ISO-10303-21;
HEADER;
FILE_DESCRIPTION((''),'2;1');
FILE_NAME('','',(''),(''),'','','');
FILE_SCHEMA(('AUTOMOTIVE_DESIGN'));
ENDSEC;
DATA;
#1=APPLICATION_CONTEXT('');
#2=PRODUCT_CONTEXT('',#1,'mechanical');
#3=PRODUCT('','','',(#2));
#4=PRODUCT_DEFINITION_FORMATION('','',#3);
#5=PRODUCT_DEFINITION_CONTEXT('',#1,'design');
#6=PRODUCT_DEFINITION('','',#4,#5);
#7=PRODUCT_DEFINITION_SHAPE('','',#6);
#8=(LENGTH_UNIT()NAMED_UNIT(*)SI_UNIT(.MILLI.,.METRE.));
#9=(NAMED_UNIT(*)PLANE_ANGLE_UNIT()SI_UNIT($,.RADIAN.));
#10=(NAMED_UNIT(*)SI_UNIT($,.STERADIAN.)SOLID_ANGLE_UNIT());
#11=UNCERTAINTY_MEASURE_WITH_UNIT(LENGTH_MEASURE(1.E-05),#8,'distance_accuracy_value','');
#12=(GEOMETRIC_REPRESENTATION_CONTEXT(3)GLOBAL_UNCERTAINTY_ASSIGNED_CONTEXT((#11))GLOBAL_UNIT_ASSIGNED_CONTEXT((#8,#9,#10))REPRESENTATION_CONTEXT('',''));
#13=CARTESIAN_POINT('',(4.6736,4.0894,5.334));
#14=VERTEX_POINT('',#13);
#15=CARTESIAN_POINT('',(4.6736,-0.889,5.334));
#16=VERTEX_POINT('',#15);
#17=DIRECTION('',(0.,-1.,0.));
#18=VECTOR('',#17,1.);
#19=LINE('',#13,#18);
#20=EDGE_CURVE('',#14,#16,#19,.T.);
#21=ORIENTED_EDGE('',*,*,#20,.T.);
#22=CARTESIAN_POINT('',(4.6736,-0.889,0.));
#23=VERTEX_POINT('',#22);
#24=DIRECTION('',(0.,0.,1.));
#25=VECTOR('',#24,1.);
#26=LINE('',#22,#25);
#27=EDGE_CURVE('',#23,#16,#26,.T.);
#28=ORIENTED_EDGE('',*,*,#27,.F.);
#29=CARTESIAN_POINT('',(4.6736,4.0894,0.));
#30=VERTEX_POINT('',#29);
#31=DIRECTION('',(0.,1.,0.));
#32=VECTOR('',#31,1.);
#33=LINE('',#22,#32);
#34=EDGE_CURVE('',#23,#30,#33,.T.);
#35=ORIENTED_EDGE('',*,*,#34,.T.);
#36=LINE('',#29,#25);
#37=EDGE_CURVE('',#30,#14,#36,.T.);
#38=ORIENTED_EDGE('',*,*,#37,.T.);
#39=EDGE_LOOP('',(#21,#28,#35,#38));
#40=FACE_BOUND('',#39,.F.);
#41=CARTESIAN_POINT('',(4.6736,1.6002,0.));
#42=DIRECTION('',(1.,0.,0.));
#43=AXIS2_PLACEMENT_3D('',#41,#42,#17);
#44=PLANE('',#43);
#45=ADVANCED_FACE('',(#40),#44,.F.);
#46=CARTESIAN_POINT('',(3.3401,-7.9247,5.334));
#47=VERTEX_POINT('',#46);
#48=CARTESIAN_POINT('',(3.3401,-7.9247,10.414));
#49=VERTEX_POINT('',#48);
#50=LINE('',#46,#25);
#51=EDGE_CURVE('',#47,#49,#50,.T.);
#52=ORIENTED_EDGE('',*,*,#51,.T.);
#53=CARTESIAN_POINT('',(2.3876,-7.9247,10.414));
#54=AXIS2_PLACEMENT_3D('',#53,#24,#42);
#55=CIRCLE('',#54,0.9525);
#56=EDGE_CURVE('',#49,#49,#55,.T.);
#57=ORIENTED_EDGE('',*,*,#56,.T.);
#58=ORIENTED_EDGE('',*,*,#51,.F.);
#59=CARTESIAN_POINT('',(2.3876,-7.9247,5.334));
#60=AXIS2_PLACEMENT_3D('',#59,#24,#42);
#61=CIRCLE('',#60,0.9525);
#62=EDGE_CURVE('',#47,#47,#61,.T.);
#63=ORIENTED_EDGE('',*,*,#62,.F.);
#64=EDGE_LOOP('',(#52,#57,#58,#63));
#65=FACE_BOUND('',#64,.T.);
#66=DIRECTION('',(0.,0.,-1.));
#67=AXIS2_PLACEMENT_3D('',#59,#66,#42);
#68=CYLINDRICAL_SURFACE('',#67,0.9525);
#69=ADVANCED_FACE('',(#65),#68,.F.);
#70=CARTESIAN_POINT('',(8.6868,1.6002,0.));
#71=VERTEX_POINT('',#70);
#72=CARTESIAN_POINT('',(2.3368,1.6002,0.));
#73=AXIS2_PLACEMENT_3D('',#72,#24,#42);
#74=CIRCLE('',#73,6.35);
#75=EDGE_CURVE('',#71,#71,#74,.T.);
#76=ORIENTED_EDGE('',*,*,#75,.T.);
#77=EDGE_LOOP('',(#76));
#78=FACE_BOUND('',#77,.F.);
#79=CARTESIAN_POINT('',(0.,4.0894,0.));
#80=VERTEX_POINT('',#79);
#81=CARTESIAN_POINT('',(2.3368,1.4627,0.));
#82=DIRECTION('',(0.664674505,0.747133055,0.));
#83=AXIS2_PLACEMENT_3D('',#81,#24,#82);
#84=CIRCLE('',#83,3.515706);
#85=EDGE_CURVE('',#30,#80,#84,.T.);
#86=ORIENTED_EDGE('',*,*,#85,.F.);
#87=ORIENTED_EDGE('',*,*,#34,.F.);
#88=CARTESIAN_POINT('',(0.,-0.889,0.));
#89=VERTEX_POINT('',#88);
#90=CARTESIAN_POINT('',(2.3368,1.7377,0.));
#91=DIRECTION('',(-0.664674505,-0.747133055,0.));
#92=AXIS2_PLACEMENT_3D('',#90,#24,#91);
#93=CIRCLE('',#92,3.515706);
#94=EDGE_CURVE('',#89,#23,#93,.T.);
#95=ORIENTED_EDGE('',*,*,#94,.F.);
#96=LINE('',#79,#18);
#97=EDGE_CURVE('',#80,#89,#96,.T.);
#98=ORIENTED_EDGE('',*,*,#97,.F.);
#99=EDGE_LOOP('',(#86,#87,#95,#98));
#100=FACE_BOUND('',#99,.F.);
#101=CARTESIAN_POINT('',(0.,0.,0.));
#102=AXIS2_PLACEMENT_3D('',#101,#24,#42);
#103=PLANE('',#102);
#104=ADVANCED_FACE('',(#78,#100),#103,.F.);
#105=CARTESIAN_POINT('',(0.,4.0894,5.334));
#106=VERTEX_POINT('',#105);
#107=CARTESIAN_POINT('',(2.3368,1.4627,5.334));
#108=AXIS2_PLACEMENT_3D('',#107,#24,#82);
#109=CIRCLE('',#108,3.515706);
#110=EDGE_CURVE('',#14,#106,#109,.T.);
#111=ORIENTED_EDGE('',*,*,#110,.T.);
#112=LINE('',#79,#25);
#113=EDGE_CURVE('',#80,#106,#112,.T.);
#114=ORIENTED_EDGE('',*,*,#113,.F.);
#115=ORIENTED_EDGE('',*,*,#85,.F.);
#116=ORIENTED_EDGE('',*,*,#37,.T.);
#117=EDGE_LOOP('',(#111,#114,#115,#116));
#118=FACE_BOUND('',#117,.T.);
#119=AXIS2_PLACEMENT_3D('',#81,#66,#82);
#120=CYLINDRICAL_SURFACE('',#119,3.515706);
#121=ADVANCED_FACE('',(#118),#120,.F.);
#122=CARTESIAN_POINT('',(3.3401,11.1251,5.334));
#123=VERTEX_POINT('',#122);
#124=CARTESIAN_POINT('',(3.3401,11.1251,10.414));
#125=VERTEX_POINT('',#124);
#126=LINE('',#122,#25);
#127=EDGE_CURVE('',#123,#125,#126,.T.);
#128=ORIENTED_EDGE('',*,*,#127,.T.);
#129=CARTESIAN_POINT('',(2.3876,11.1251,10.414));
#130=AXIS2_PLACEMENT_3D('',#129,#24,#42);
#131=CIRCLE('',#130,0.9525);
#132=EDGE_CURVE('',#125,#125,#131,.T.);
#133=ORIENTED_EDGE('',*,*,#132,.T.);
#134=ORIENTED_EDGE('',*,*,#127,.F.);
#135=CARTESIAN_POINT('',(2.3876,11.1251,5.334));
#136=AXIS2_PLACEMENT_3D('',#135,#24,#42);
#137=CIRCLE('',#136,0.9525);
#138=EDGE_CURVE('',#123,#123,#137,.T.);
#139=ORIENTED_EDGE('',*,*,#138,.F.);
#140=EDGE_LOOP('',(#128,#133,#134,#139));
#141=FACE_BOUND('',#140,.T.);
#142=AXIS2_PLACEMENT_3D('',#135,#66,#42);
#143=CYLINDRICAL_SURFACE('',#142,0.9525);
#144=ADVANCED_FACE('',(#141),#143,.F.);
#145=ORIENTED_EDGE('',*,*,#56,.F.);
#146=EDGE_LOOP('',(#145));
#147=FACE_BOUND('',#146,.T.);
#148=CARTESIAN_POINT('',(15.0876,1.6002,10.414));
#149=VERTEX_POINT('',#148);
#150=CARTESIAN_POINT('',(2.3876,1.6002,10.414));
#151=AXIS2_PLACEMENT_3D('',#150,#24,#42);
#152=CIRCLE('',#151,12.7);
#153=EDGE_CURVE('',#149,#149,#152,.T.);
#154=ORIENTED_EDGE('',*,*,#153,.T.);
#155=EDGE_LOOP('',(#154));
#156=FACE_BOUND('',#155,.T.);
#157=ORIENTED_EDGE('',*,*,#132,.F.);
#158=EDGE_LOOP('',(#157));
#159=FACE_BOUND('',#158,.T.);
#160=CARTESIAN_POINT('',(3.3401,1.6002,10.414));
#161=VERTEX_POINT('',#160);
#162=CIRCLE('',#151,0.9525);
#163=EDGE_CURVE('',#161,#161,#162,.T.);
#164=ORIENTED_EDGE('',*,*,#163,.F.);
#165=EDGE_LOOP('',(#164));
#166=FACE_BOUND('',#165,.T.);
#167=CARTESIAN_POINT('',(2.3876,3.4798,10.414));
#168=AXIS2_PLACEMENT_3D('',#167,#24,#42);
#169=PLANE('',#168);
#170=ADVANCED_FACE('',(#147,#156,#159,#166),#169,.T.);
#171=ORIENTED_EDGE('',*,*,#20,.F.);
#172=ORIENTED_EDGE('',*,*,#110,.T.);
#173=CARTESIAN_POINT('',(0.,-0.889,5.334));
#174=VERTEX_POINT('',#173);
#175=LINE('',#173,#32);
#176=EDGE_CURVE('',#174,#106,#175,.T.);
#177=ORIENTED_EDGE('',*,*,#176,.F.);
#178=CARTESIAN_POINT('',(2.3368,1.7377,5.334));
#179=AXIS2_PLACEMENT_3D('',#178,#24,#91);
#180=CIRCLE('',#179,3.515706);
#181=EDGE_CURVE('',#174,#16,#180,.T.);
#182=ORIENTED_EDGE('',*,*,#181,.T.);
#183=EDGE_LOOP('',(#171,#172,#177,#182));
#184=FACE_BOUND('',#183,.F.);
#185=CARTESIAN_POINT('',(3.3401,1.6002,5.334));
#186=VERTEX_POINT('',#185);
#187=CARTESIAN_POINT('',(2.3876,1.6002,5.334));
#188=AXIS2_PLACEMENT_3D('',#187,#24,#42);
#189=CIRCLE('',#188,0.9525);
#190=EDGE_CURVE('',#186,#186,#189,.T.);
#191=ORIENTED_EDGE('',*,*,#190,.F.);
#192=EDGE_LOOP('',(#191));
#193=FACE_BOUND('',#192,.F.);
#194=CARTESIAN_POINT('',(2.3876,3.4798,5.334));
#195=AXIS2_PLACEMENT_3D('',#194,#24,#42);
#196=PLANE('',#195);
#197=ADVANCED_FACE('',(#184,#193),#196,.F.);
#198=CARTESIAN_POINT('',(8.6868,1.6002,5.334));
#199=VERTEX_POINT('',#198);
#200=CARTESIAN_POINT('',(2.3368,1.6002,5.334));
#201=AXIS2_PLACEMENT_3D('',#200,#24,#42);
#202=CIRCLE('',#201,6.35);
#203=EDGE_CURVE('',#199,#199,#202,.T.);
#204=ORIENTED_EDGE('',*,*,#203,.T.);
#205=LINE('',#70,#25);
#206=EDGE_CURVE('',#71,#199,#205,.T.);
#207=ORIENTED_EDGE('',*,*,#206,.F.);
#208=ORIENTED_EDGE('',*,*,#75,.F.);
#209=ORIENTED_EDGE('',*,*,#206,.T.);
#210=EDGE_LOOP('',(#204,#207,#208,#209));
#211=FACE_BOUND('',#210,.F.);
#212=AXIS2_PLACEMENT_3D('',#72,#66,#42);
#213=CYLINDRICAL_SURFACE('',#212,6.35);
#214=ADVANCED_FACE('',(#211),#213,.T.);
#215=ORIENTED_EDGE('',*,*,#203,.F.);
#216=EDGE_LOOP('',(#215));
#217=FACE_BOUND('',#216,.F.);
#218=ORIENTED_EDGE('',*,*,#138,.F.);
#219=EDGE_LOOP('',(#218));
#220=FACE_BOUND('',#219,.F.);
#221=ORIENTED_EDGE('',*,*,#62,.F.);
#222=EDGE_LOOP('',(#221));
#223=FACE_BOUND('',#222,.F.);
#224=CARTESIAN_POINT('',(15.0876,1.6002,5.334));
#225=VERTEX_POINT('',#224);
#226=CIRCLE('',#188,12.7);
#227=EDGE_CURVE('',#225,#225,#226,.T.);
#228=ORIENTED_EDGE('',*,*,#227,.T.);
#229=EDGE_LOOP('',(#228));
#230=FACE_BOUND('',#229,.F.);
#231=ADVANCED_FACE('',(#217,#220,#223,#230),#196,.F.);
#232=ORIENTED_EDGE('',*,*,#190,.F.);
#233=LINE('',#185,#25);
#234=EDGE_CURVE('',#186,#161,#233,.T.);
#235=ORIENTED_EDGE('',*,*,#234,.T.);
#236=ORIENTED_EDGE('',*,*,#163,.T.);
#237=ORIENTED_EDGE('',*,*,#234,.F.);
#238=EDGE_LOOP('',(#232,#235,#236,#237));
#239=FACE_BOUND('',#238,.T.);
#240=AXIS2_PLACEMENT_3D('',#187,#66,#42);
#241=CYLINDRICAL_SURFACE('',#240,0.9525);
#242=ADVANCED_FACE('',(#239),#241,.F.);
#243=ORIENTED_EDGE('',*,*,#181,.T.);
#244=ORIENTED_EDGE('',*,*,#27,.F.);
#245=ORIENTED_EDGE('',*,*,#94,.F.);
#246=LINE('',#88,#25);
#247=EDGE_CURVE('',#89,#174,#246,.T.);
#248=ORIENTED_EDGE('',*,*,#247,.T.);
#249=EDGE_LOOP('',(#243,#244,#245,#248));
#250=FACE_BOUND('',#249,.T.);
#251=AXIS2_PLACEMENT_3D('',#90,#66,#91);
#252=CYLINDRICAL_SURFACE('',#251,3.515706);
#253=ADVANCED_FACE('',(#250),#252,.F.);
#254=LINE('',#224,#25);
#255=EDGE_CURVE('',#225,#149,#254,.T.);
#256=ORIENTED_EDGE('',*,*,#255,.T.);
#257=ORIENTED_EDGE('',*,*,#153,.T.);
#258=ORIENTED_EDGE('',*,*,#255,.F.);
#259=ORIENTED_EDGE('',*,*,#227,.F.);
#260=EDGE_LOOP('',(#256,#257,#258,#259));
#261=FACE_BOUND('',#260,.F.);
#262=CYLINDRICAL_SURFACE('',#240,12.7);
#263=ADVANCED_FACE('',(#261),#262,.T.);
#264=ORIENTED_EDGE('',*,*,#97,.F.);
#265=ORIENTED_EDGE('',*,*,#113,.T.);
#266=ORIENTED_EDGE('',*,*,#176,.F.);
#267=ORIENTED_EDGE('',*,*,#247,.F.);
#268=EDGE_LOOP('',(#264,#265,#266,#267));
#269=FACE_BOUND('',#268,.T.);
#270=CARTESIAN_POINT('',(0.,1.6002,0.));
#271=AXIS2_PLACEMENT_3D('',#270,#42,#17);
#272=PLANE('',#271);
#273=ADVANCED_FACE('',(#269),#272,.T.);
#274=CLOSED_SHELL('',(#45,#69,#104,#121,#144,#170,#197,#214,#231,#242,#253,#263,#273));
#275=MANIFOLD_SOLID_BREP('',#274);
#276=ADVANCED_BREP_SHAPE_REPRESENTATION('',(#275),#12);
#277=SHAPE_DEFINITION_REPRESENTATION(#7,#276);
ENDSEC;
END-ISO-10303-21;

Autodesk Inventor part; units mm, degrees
ref_plane "YZ Plane" through (0, 0, 0) normal (1, 0, 0) x (0, 1, 0)
ref_plane "XZ Plane" through (0, 0, 0) normal (0, 1, 0) x (-1, 0, 0)
ref_plane "XY Plane" through (0, 0, 0) normal (0, 0, 1) x (1, 0, 0)
sketch "Sketch1" plane through (0, 0, 0) normal (0, 0, 1) x (1, 0, 0)
  line L0 (0, -1.778) -> (4.6736, -1.778) construction
  line L1 (4.6736, -1.778) -> (4.6736, 4.9784) construction
  line L2 (4.6736, 4.9784) -> (0, 4.9784) construction
  line L3 (0, 4.9784) -> (0, -1.778) construction
  line L4 (0, 1.6002) -> (0, 4.0894)
  line L5 (0, 1.6002) -> (0, -0.889)
  line L6 (4.6736, 1.6002) -> (4.6736, 4.0894)
  line L7 (4.6736, 1.6002) -> (4.6736, -0.889)
  arc A0 (4.6736, 4.0894) -> (0, 4.0894) centre (2.3368, 1.4627) ccw
  arc A1 (0, -0.889) -> (4.6736, -0.889) centre (2.3368, 1.7377) ccw
  circle A2 centre (2.3368, 1.6002) radius 6.35
  dimension "d21" = 4.6736
  dimension "d22" = 6.7564
  dimension "d23" = 2.4892
  dimension "d24" = 2.4892
  dimension "d25" = 12.7
  dimension "d30" = 3.5157
  dimension "d31" = 3.5157
  dimension "d32" = 0.2751
  dimension "d33" = 2.3368
  dimension "d34" = 0.1375
  dimension "d35" = 2.3368
extrude "Extrusion1" add sketch "Sketch1" along normal blind 5.334
sketch "Sketch2" plane through (2.3876, 3.4798, 5.334) normal (0, 0, 1) x (1, 0, 0)
  circle A0 centre (0, -1.8796) radius 0.9525
  circle A1 centre (0, -1.8796) radius 12.7
  line L0 (0, 10.8204) -> (0, 4.4702) construction
  circle A2 centre (-0.0508, -1.8796) radius 6.35 projected
  circle A3 centre (0, 7.6453) radius 0.9525
  line L1 (0, -14.5796) -> (0, -8.2294) construction
  circle A4 centre (0, -11.4045) radius 0.9525
  dimension "d26" = 1.905
  dimension "d27" = 25.4
  dimension "d28" = 1.905
  dimension "d29" = 1.905
extrude "Extrusion2" add sketch "Sketch2" along normal blind 5.08 contours A1 | A2
ref_plane "Work Plane1" through (2.3876, 3.4798, -50.8) normal (0, 0, -1) x (-1, 0, 0)
sketch "Sketch5" plane through (2.3876, 3.4798, -50.8) normal (0, 0, -1) x (-1, 0, 0)
  line L0 (2.3876, 0.6096) -> (2.3876, -4.3688) projected
  arc A0 (2.3876, 0.6096) -> (-2.286, 0.6096) centre (0.0508, -2.0171) ccw projected
  line L1 (-2.286, -4.3688) -> (-2.286, 0.6096) projected
  arc A1 (-2.286, -4.3688) -> (2.3876, -4.3688) centre (0.0508, -1.7421) ccw projected
  circle A2 centre (0.0508, -1.8796) radius 6.35 projected
  point P0 (2.3876, -3.4798)
properties part number "Zoetrope_Motor_Connector"
